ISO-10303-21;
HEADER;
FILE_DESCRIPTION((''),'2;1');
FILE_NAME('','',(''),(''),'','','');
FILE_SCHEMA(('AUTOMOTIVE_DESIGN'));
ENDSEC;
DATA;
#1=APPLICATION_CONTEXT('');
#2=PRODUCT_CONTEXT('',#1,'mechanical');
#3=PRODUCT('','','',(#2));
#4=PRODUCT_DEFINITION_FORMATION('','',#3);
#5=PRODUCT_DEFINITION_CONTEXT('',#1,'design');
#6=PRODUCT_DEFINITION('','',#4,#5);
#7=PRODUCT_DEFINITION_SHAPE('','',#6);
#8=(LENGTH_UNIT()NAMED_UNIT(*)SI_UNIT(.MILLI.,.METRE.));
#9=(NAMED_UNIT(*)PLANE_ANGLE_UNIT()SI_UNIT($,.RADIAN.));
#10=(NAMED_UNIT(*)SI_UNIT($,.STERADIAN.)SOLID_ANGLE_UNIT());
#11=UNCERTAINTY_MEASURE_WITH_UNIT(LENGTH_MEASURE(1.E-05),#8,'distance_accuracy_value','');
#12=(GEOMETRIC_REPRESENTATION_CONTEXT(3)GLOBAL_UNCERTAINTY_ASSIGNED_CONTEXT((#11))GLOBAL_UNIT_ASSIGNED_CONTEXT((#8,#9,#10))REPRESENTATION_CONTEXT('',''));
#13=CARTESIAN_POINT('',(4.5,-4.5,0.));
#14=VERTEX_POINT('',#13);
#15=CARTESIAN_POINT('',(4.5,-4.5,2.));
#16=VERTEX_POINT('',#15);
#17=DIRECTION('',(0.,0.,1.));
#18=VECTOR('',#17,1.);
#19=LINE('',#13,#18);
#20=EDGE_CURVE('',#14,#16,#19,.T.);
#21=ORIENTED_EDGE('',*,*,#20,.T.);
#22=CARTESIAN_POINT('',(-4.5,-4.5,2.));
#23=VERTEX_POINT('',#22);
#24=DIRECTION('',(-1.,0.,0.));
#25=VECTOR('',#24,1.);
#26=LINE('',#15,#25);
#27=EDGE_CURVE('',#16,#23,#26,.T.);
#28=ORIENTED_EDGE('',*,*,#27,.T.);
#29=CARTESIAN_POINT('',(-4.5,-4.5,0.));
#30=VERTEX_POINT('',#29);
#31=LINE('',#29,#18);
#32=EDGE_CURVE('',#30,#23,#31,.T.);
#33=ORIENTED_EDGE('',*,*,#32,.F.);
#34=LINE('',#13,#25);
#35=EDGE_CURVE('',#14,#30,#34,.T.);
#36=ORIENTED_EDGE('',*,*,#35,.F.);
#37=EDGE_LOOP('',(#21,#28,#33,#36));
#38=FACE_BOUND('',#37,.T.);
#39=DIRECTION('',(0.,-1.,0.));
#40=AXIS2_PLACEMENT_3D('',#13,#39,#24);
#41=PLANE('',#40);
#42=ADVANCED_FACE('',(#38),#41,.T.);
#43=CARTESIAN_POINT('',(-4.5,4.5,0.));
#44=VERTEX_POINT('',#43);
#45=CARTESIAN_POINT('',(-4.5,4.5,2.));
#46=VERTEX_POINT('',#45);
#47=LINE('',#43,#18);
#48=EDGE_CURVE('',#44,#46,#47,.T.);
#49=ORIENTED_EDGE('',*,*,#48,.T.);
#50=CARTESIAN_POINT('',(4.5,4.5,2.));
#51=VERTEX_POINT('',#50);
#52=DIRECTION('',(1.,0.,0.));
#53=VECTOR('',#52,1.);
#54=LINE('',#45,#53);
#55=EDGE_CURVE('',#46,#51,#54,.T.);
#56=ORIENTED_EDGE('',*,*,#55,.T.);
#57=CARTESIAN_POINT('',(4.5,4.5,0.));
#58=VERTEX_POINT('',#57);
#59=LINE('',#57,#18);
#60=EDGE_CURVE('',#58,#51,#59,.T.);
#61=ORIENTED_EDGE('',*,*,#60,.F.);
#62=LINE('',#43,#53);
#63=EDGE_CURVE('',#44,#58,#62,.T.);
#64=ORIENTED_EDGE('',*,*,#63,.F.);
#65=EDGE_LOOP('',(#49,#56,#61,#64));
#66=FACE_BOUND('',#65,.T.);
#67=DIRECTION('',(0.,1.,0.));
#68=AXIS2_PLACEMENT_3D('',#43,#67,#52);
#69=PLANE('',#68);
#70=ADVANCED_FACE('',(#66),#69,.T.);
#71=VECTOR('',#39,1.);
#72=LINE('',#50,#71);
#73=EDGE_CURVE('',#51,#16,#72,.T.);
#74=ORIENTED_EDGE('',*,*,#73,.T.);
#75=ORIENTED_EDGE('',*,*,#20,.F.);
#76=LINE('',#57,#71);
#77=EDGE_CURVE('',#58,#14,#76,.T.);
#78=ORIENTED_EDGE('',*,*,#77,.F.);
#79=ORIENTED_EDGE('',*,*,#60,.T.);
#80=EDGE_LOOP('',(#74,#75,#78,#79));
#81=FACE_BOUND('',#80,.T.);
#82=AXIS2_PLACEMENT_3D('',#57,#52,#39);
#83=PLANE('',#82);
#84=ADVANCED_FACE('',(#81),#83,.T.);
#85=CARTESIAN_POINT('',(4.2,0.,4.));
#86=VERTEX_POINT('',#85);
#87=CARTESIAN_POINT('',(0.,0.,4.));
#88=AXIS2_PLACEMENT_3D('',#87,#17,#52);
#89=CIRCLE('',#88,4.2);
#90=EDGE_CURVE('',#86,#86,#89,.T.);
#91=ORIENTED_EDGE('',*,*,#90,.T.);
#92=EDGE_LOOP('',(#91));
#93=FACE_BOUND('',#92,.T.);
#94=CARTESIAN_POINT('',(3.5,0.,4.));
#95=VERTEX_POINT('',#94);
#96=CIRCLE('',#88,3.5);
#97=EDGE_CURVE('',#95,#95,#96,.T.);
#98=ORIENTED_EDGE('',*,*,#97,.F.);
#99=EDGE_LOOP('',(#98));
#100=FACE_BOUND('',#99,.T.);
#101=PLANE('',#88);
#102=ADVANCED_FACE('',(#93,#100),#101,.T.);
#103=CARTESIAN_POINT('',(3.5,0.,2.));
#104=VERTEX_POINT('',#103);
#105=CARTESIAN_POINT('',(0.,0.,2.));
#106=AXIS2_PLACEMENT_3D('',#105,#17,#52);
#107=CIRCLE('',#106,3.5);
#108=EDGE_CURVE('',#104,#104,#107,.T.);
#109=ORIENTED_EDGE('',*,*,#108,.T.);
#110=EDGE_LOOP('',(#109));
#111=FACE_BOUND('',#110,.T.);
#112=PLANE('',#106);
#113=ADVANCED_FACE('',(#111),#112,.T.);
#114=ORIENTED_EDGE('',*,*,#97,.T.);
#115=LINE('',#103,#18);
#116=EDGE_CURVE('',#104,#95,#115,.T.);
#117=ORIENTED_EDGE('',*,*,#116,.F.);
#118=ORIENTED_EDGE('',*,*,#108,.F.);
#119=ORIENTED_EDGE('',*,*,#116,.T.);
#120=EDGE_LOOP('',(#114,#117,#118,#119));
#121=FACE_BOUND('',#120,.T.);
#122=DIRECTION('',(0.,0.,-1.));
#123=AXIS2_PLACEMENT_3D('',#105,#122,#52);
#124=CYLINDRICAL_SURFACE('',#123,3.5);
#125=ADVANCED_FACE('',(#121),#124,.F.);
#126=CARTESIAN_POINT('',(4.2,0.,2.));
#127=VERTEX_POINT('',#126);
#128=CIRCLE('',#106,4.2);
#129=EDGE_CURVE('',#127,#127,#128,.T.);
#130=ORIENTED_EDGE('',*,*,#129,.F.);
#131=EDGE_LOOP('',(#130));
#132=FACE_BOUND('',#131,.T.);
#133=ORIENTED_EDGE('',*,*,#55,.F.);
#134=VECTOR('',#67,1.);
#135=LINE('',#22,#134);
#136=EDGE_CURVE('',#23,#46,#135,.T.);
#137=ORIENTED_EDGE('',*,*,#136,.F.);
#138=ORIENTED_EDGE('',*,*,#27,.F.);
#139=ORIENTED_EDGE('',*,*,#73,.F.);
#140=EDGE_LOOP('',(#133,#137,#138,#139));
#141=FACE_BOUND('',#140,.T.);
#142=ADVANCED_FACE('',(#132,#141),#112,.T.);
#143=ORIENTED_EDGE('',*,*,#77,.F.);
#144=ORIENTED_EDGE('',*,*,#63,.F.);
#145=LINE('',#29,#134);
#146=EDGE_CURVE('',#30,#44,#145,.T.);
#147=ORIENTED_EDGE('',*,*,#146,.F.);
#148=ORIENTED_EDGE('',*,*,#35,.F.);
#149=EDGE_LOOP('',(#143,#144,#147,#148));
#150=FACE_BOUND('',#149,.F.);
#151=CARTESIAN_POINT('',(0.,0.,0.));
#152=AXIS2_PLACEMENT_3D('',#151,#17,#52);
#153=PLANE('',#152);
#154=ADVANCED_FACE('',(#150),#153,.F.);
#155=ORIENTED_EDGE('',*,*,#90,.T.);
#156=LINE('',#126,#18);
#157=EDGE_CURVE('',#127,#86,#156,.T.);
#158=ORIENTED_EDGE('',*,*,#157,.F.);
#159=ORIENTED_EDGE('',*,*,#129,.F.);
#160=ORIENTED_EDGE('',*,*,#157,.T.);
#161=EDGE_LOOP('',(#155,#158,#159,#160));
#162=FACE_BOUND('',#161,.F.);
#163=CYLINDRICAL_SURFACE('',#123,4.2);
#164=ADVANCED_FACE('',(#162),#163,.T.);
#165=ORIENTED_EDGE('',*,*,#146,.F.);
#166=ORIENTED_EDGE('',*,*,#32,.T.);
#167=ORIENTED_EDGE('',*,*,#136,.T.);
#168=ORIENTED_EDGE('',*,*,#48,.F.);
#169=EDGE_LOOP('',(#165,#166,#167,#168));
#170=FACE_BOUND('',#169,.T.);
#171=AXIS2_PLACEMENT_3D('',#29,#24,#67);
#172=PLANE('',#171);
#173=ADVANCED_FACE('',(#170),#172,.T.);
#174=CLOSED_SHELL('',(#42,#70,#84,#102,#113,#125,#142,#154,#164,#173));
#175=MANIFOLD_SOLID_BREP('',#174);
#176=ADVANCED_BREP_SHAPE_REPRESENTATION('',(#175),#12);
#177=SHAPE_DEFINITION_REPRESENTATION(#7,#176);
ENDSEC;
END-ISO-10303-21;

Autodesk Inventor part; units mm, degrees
ref_plane "YZ Plane" through (0, 0, 0) normal (1, 0, 0) x (0, 1, 0)
ref_plane "XZ Plane" through (0, 0, 0) normal (0, 1, 0) x (-1, 0, 0)
ref_plane "XY Plane" through (0, 0, 0) normal (0, 0, 1) x (1, 0, 0)
sketch "Sketch1" plane through (0, 0, 0) normal (0, 0, 1) x (1, 0, 0)
  line L0 (4.5, -4.5) -> (-4.5, -4.5)
  line L1 (-4.5, -4.5) -> (-4.5, 4.5)
  line L2 (-4.5, 4.5) -> (4.5, 4.5)
  line L3 (4.5, 4.5) -> (4.5, -4.5)
  line L4 (4.5, -4.5) -> (-4.5, 4.5) construction
  line L5 (-4.5, -4.5) -> (4.5, 4.5) construction
  point P0 (0, 0)
  dimension "d0" = 9
  dimension "d1" = 9
extrude "Extrusion1" add sketch "Sketch1" along normal blind 2
sketch "Sketch2" plane through (0, 0, 2) normal (0, 0, 1) x (1, 0, 0)
  line L0 (-4.5, -4.5) -> (4.5, -4.5) projected
  line L1 (4.5, -4.5) -> (4.5, 4.5) projected
  line L2 (4.5, 4.5) -> (-4.5, 4.5) projected
  line L3 (-4.5, 4.5) -> (-4.5, -4.5) projected
  circle A0 centre (0, 0) radius 4.2
  circle A1 centre (0, 0) radius 3.5
  dimension "d4" = 8.4
  dimension "d5" = 7
extrude "Extrusion2" add sketch "Sketch2" along normal blind 2 contours A0
properties part number "00_ESP32_Camera_only"
